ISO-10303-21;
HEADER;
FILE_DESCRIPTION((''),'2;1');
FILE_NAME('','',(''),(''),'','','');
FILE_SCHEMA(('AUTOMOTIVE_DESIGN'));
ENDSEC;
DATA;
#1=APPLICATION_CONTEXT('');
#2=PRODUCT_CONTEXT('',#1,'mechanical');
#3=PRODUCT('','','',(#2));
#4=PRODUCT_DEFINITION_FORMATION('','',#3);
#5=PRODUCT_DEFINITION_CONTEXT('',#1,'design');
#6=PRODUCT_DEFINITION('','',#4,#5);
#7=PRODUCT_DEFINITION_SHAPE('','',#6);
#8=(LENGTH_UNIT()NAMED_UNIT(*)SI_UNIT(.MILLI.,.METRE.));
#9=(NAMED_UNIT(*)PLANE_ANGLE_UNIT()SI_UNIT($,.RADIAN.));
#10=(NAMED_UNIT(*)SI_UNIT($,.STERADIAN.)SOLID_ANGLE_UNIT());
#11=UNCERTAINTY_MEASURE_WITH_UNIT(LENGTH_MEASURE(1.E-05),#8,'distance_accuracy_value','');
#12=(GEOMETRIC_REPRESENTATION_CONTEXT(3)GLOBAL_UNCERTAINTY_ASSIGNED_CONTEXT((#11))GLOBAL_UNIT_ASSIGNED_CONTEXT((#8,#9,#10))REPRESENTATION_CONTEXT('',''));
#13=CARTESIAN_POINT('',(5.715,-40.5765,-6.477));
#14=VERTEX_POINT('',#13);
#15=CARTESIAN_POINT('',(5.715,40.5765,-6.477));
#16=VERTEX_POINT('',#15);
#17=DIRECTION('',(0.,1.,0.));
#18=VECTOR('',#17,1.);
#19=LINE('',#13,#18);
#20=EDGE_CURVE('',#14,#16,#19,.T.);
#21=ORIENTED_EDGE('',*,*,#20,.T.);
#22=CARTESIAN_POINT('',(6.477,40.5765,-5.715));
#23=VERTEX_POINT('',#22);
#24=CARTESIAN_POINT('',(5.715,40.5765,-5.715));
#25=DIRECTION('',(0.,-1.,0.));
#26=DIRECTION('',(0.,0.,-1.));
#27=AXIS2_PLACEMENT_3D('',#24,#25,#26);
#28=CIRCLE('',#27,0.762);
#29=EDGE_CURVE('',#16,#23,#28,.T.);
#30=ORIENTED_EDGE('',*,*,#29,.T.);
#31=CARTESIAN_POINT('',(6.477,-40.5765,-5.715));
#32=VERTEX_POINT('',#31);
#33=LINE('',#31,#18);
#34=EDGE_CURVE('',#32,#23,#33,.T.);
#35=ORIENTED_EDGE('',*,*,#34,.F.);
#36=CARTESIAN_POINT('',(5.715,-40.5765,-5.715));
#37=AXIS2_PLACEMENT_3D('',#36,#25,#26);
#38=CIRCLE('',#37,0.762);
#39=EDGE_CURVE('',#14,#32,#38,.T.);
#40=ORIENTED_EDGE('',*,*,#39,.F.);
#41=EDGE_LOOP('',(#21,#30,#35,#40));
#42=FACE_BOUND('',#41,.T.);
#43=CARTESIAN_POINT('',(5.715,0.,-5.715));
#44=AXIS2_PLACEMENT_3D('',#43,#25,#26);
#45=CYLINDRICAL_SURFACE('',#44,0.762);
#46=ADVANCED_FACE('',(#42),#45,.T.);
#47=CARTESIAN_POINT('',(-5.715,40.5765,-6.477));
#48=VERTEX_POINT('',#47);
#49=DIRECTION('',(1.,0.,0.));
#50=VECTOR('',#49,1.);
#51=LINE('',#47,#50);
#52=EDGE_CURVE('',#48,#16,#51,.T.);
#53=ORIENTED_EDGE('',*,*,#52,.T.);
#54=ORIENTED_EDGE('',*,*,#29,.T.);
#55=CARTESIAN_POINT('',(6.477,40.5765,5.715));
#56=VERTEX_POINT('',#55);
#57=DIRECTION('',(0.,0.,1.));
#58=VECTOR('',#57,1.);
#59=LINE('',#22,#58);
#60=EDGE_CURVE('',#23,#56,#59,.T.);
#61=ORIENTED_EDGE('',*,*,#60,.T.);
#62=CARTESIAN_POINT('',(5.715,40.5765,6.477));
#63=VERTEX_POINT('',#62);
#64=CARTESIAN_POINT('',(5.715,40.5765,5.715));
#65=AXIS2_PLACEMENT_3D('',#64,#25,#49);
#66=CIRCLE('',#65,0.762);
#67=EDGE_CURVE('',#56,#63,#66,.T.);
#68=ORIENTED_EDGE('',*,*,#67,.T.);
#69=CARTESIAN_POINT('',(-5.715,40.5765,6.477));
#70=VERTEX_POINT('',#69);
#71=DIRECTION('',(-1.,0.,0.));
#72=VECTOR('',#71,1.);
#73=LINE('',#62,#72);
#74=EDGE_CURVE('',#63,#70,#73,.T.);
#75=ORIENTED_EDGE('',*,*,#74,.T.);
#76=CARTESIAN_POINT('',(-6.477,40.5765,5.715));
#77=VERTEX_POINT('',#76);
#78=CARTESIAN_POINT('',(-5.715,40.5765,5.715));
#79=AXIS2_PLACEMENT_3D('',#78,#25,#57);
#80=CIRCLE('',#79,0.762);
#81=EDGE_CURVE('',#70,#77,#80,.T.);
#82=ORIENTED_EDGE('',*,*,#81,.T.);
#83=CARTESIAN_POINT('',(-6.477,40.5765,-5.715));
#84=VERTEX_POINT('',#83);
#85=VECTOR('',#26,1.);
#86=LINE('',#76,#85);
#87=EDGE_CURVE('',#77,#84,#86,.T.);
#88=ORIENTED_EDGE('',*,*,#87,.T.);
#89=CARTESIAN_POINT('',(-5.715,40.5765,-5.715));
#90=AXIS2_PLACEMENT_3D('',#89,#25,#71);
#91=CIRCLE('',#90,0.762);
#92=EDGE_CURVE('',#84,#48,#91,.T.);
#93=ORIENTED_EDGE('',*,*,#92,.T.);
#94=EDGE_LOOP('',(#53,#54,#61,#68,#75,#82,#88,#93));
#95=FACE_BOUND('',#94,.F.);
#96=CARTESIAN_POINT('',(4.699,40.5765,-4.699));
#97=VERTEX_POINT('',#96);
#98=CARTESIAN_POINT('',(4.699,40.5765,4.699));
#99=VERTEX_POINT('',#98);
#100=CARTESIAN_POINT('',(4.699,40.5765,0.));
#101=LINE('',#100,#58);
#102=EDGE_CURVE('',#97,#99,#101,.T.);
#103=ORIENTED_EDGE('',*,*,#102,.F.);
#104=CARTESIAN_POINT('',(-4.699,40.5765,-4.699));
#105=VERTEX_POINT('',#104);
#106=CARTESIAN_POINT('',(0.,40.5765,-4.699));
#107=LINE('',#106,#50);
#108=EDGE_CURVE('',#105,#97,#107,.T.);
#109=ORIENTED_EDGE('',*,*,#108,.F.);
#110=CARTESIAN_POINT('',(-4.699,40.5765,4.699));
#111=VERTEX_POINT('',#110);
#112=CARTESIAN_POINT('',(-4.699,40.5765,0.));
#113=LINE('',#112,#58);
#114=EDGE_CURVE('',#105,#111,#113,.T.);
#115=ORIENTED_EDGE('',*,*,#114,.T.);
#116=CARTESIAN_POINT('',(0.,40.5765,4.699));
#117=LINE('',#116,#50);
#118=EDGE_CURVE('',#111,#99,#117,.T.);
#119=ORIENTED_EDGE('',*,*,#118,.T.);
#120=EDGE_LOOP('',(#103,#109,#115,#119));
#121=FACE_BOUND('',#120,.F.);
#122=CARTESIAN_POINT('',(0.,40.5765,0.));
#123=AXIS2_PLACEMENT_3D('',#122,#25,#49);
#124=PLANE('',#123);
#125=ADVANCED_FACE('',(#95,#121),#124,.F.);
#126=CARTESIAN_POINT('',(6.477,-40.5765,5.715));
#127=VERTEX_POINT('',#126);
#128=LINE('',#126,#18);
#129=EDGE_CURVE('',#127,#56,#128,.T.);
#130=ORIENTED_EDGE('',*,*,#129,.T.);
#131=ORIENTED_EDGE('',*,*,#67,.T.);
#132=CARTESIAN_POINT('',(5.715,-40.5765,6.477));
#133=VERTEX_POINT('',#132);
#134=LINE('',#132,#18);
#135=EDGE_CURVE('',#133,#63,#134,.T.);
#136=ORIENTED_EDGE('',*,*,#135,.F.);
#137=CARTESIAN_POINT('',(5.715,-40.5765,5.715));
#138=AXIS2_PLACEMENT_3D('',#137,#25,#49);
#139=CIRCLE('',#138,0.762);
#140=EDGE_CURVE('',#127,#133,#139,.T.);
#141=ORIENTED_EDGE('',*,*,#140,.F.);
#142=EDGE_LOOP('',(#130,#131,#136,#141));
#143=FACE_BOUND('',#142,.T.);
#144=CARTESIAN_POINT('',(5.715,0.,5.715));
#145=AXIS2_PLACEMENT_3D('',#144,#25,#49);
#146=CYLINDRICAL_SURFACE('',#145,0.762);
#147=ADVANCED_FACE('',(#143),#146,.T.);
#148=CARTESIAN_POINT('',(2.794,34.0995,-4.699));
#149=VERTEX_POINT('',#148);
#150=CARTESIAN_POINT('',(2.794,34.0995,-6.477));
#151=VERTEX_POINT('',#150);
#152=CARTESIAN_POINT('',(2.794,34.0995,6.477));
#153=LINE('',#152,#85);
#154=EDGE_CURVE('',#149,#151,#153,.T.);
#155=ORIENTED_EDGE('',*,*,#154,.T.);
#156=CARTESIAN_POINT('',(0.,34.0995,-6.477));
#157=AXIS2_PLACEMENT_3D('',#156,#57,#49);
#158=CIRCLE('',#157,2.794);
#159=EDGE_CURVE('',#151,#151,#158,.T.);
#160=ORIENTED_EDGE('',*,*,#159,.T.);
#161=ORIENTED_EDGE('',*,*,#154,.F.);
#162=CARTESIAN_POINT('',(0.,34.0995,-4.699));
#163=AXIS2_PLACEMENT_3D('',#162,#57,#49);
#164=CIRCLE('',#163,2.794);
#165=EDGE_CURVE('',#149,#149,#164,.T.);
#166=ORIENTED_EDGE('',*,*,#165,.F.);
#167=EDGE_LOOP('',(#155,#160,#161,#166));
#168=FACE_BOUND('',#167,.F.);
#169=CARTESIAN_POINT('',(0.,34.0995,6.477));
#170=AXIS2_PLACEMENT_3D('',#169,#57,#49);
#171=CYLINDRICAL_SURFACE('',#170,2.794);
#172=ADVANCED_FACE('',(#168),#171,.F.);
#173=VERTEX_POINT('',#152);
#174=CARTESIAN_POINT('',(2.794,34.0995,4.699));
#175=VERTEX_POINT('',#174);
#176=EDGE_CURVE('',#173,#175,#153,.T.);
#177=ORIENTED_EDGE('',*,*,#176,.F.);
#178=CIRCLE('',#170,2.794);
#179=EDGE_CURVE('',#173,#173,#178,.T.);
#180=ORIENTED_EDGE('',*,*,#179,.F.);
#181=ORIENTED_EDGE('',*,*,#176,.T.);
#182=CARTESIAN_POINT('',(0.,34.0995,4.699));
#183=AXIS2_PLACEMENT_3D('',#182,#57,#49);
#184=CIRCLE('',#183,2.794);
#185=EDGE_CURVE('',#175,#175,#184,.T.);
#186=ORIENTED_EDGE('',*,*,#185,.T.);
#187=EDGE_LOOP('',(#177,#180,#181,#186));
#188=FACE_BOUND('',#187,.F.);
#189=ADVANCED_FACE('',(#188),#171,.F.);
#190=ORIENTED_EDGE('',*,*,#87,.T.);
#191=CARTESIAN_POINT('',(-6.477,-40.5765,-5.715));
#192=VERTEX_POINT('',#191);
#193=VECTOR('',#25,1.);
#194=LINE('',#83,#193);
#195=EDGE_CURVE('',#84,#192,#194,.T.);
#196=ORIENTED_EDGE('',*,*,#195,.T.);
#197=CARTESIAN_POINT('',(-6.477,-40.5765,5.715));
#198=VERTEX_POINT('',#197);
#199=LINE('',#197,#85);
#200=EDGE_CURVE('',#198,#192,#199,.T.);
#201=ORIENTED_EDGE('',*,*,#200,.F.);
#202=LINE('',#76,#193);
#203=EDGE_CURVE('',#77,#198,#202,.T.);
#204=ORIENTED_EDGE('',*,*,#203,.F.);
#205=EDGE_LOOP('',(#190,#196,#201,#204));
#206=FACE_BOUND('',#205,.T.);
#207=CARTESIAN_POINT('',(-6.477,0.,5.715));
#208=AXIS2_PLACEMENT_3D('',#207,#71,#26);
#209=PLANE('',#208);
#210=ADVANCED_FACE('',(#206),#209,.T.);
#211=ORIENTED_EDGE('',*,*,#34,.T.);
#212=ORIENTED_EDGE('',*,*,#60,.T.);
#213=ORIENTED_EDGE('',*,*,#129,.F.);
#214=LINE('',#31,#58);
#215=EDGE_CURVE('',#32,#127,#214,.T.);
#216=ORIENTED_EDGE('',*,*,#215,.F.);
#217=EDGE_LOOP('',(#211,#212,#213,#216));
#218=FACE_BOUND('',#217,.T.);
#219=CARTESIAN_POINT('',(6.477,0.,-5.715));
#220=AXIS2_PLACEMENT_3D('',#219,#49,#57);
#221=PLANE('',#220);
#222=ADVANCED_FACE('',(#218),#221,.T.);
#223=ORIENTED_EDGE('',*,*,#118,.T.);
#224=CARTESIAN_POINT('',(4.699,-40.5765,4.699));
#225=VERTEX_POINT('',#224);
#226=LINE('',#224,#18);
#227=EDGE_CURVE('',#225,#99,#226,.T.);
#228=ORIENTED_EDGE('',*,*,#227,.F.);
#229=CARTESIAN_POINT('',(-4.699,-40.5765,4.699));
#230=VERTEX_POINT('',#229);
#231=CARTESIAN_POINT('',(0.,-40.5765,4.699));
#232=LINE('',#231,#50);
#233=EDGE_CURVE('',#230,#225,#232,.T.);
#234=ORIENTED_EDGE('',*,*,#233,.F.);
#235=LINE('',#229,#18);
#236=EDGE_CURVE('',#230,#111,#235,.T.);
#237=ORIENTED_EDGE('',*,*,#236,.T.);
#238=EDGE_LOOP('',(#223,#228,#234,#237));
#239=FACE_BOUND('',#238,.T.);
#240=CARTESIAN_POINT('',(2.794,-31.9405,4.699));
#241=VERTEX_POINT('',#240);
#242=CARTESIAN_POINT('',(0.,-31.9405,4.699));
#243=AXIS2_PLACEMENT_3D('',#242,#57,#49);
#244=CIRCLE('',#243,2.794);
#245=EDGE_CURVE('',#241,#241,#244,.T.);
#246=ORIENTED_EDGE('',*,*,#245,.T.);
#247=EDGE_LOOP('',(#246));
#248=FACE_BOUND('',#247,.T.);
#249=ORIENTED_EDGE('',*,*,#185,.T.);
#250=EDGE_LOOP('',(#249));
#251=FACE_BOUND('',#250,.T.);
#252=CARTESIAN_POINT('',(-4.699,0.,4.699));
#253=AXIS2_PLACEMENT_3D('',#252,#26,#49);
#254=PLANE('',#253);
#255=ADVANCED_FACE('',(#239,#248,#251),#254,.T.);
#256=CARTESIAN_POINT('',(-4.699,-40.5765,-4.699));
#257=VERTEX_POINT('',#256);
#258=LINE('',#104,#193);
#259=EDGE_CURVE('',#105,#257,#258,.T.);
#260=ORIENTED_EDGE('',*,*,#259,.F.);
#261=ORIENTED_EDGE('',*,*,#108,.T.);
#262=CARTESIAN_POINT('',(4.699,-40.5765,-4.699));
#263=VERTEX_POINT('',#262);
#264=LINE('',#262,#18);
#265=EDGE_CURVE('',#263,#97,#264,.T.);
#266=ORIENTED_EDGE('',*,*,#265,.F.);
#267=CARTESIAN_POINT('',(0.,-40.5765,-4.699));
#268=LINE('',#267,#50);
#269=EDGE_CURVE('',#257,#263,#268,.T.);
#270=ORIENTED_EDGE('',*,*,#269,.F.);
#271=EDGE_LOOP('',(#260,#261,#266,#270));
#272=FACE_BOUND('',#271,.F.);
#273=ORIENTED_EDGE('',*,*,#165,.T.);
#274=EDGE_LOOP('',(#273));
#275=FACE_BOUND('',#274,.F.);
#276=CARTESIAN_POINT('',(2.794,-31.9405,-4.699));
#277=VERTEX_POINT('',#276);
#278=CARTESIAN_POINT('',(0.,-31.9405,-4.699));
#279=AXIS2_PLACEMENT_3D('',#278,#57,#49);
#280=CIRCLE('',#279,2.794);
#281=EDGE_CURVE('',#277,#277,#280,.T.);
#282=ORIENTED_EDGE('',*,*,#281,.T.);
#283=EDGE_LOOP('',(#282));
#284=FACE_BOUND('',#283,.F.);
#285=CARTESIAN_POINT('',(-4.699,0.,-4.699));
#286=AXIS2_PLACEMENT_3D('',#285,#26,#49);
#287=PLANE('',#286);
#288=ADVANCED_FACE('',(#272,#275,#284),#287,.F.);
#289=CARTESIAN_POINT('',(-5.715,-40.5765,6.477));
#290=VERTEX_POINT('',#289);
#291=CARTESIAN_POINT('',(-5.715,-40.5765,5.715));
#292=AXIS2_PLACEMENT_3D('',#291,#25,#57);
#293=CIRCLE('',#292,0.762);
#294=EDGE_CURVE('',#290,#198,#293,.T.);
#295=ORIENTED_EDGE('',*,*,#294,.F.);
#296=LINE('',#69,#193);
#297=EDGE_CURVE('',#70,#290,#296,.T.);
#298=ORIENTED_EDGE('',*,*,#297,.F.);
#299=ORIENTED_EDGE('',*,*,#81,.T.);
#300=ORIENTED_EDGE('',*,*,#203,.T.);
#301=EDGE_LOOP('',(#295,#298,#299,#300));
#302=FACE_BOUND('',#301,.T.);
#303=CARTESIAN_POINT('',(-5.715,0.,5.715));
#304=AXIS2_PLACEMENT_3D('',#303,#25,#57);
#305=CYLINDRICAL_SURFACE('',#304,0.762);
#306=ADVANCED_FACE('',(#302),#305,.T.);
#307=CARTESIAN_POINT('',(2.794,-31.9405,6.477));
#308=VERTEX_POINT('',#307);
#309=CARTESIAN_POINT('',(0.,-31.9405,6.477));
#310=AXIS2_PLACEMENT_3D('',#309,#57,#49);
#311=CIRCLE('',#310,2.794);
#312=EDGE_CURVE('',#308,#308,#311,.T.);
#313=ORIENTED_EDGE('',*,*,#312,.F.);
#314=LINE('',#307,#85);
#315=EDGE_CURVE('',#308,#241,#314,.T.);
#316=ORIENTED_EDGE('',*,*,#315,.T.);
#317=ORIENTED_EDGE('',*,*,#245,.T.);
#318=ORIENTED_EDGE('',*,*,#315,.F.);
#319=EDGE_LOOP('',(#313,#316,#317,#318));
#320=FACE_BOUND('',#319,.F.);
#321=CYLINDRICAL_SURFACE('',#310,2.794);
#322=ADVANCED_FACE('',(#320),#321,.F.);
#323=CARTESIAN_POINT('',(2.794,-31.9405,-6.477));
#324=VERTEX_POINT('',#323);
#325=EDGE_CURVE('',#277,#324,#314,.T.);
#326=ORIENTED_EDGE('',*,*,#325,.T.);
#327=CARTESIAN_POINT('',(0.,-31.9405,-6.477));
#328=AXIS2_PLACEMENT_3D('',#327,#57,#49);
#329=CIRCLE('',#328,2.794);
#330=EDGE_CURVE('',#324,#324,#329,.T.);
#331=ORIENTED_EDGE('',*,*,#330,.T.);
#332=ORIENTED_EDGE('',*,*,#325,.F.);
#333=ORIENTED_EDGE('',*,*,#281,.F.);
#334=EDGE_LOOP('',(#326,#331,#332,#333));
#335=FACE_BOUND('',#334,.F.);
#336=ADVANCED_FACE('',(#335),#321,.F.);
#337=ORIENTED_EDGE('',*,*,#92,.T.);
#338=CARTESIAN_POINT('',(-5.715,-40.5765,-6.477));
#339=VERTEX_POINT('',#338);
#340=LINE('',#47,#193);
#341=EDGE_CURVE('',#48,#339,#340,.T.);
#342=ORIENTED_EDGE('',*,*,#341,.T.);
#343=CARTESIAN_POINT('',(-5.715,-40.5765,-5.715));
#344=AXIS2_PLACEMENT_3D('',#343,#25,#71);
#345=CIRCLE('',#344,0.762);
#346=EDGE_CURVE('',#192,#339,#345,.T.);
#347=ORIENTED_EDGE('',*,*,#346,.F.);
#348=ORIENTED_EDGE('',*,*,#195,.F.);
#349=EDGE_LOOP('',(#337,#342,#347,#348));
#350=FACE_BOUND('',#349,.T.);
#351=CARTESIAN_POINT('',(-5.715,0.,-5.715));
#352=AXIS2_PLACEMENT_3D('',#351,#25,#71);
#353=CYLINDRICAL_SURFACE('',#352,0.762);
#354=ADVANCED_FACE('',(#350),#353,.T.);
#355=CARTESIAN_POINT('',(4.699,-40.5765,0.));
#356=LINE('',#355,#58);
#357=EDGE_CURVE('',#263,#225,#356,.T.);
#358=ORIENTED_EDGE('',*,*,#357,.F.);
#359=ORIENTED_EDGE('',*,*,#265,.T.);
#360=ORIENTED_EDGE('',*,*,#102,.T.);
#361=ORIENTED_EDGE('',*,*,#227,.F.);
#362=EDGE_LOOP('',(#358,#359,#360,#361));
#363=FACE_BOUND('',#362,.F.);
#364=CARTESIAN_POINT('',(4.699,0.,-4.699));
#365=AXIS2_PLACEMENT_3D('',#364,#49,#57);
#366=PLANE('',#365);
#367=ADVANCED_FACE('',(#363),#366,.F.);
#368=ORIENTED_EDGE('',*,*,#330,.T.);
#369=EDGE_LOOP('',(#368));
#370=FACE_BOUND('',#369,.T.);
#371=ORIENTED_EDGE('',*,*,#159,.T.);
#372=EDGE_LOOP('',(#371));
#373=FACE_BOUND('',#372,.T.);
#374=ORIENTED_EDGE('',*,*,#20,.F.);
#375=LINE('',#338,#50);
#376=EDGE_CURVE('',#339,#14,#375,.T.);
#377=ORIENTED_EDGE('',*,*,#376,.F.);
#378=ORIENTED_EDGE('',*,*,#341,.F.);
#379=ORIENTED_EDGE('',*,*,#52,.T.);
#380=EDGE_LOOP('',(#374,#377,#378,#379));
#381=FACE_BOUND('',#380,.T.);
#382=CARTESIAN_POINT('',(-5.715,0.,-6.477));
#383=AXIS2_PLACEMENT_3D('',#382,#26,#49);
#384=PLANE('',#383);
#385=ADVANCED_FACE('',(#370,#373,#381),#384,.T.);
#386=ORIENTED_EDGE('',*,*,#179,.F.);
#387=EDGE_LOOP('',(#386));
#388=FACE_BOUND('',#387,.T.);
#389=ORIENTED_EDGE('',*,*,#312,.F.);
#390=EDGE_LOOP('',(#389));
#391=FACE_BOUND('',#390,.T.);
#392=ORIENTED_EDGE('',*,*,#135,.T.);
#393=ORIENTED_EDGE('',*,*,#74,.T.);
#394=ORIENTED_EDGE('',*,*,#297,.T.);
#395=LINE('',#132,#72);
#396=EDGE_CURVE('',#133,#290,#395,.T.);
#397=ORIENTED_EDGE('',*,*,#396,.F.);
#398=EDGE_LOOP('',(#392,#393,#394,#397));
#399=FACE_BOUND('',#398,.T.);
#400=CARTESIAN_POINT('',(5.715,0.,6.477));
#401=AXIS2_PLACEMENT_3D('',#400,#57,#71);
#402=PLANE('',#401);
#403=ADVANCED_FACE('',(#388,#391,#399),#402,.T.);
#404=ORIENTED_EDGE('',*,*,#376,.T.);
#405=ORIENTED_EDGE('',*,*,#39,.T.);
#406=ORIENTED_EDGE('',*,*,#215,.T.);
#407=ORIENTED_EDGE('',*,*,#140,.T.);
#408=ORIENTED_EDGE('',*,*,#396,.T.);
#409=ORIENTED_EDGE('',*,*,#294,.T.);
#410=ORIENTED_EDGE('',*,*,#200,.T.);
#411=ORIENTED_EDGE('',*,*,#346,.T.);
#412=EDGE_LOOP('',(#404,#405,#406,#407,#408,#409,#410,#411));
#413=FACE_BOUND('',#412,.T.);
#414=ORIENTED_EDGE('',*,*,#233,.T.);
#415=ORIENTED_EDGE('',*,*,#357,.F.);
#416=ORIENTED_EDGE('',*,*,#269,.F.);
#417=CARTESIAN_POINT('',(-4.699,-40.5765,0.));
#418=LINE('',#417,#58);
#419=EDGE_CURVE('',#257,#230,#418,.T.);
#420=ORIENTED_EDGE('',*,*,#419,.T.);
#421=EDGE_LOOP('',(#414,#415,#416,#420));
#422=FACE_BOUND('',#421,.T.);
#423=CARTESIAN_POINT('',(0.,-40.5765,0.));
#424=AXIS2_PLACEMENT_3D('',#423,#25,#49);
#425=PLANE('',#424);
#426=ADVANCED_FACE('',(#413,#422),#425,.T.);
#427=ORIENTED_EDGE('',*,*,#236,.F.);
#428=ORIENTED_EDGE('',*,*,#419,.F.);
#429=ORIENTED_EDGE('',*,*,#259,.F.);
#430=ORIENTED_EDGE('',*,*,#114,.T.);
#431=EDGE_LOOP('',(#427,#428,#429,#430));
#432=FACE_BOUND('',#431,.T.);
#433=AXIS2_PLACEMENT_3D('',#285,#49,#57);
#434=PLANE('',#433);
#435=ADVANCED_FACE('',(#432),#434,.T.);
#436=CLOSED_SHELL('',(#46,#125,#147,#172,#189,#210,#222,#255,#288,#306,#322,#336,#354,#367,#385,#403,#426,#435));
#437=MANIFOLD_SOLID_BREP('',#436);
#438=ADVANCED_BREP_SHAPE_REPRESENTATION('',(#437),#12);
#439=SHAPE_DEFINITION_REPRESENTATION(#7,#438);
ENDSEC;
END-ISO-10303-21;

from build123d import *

# Parameters (mm, degrees)
F0_W     = 9.398
F0_H     = 9.398
F1_DEPTH = 40.5765
F2_R     = 2.794
F3_DEPTH = 12.955


with BuildPart() as f1:
    # F0 (on Front) → F1 (new body, symmetric)
    with BuildSketch(Plane.XZ):
        with BuildLine():
            Line((5.715, 6.477), (-5.715, 6.477))
            ThreePointArc((-5.715, 6.477), (-6.2538153673, 6.2538153673), (-6.477, 5.715))
            Line((-6.477, 5.715), (-6.477, -5.715))
            ThreePointArc((-6.477, -5.715), (-6.2538153673, -6.2538153673), (-5.715, -6.477))
            Line((-5.715, -6.477), (5.715, -6.477))
            ThreePointArc((5.715, -6.477), (6.2538153673, -6.2538153673), (6.477, -5.715))
            Line((6.477, -5.715), (6.477, 5.715))
            ThreePointArc((6.477, 5.715), (6.2538153673, 6.2538153673), (5.715, 6.477))
        make_face()
        Rectangle(F0_W, F0_H, mode=Mode.SUBTRACT)
    extrude(amount=F1_DEPTH, both=True)

    # F2 (on face) → F3 (cut, through all)
    with BuildSketch(Plane.XY.offset(6.477)):
        with Locations((0, -31.9405)):
            Circle(F2_R)
        with Locations((0, 34.0995)):
            Circle(F2_R)
    extrude(amount=-F3_DEPTH, mode=Mode.SUBTRACT)


solid = f1.part
